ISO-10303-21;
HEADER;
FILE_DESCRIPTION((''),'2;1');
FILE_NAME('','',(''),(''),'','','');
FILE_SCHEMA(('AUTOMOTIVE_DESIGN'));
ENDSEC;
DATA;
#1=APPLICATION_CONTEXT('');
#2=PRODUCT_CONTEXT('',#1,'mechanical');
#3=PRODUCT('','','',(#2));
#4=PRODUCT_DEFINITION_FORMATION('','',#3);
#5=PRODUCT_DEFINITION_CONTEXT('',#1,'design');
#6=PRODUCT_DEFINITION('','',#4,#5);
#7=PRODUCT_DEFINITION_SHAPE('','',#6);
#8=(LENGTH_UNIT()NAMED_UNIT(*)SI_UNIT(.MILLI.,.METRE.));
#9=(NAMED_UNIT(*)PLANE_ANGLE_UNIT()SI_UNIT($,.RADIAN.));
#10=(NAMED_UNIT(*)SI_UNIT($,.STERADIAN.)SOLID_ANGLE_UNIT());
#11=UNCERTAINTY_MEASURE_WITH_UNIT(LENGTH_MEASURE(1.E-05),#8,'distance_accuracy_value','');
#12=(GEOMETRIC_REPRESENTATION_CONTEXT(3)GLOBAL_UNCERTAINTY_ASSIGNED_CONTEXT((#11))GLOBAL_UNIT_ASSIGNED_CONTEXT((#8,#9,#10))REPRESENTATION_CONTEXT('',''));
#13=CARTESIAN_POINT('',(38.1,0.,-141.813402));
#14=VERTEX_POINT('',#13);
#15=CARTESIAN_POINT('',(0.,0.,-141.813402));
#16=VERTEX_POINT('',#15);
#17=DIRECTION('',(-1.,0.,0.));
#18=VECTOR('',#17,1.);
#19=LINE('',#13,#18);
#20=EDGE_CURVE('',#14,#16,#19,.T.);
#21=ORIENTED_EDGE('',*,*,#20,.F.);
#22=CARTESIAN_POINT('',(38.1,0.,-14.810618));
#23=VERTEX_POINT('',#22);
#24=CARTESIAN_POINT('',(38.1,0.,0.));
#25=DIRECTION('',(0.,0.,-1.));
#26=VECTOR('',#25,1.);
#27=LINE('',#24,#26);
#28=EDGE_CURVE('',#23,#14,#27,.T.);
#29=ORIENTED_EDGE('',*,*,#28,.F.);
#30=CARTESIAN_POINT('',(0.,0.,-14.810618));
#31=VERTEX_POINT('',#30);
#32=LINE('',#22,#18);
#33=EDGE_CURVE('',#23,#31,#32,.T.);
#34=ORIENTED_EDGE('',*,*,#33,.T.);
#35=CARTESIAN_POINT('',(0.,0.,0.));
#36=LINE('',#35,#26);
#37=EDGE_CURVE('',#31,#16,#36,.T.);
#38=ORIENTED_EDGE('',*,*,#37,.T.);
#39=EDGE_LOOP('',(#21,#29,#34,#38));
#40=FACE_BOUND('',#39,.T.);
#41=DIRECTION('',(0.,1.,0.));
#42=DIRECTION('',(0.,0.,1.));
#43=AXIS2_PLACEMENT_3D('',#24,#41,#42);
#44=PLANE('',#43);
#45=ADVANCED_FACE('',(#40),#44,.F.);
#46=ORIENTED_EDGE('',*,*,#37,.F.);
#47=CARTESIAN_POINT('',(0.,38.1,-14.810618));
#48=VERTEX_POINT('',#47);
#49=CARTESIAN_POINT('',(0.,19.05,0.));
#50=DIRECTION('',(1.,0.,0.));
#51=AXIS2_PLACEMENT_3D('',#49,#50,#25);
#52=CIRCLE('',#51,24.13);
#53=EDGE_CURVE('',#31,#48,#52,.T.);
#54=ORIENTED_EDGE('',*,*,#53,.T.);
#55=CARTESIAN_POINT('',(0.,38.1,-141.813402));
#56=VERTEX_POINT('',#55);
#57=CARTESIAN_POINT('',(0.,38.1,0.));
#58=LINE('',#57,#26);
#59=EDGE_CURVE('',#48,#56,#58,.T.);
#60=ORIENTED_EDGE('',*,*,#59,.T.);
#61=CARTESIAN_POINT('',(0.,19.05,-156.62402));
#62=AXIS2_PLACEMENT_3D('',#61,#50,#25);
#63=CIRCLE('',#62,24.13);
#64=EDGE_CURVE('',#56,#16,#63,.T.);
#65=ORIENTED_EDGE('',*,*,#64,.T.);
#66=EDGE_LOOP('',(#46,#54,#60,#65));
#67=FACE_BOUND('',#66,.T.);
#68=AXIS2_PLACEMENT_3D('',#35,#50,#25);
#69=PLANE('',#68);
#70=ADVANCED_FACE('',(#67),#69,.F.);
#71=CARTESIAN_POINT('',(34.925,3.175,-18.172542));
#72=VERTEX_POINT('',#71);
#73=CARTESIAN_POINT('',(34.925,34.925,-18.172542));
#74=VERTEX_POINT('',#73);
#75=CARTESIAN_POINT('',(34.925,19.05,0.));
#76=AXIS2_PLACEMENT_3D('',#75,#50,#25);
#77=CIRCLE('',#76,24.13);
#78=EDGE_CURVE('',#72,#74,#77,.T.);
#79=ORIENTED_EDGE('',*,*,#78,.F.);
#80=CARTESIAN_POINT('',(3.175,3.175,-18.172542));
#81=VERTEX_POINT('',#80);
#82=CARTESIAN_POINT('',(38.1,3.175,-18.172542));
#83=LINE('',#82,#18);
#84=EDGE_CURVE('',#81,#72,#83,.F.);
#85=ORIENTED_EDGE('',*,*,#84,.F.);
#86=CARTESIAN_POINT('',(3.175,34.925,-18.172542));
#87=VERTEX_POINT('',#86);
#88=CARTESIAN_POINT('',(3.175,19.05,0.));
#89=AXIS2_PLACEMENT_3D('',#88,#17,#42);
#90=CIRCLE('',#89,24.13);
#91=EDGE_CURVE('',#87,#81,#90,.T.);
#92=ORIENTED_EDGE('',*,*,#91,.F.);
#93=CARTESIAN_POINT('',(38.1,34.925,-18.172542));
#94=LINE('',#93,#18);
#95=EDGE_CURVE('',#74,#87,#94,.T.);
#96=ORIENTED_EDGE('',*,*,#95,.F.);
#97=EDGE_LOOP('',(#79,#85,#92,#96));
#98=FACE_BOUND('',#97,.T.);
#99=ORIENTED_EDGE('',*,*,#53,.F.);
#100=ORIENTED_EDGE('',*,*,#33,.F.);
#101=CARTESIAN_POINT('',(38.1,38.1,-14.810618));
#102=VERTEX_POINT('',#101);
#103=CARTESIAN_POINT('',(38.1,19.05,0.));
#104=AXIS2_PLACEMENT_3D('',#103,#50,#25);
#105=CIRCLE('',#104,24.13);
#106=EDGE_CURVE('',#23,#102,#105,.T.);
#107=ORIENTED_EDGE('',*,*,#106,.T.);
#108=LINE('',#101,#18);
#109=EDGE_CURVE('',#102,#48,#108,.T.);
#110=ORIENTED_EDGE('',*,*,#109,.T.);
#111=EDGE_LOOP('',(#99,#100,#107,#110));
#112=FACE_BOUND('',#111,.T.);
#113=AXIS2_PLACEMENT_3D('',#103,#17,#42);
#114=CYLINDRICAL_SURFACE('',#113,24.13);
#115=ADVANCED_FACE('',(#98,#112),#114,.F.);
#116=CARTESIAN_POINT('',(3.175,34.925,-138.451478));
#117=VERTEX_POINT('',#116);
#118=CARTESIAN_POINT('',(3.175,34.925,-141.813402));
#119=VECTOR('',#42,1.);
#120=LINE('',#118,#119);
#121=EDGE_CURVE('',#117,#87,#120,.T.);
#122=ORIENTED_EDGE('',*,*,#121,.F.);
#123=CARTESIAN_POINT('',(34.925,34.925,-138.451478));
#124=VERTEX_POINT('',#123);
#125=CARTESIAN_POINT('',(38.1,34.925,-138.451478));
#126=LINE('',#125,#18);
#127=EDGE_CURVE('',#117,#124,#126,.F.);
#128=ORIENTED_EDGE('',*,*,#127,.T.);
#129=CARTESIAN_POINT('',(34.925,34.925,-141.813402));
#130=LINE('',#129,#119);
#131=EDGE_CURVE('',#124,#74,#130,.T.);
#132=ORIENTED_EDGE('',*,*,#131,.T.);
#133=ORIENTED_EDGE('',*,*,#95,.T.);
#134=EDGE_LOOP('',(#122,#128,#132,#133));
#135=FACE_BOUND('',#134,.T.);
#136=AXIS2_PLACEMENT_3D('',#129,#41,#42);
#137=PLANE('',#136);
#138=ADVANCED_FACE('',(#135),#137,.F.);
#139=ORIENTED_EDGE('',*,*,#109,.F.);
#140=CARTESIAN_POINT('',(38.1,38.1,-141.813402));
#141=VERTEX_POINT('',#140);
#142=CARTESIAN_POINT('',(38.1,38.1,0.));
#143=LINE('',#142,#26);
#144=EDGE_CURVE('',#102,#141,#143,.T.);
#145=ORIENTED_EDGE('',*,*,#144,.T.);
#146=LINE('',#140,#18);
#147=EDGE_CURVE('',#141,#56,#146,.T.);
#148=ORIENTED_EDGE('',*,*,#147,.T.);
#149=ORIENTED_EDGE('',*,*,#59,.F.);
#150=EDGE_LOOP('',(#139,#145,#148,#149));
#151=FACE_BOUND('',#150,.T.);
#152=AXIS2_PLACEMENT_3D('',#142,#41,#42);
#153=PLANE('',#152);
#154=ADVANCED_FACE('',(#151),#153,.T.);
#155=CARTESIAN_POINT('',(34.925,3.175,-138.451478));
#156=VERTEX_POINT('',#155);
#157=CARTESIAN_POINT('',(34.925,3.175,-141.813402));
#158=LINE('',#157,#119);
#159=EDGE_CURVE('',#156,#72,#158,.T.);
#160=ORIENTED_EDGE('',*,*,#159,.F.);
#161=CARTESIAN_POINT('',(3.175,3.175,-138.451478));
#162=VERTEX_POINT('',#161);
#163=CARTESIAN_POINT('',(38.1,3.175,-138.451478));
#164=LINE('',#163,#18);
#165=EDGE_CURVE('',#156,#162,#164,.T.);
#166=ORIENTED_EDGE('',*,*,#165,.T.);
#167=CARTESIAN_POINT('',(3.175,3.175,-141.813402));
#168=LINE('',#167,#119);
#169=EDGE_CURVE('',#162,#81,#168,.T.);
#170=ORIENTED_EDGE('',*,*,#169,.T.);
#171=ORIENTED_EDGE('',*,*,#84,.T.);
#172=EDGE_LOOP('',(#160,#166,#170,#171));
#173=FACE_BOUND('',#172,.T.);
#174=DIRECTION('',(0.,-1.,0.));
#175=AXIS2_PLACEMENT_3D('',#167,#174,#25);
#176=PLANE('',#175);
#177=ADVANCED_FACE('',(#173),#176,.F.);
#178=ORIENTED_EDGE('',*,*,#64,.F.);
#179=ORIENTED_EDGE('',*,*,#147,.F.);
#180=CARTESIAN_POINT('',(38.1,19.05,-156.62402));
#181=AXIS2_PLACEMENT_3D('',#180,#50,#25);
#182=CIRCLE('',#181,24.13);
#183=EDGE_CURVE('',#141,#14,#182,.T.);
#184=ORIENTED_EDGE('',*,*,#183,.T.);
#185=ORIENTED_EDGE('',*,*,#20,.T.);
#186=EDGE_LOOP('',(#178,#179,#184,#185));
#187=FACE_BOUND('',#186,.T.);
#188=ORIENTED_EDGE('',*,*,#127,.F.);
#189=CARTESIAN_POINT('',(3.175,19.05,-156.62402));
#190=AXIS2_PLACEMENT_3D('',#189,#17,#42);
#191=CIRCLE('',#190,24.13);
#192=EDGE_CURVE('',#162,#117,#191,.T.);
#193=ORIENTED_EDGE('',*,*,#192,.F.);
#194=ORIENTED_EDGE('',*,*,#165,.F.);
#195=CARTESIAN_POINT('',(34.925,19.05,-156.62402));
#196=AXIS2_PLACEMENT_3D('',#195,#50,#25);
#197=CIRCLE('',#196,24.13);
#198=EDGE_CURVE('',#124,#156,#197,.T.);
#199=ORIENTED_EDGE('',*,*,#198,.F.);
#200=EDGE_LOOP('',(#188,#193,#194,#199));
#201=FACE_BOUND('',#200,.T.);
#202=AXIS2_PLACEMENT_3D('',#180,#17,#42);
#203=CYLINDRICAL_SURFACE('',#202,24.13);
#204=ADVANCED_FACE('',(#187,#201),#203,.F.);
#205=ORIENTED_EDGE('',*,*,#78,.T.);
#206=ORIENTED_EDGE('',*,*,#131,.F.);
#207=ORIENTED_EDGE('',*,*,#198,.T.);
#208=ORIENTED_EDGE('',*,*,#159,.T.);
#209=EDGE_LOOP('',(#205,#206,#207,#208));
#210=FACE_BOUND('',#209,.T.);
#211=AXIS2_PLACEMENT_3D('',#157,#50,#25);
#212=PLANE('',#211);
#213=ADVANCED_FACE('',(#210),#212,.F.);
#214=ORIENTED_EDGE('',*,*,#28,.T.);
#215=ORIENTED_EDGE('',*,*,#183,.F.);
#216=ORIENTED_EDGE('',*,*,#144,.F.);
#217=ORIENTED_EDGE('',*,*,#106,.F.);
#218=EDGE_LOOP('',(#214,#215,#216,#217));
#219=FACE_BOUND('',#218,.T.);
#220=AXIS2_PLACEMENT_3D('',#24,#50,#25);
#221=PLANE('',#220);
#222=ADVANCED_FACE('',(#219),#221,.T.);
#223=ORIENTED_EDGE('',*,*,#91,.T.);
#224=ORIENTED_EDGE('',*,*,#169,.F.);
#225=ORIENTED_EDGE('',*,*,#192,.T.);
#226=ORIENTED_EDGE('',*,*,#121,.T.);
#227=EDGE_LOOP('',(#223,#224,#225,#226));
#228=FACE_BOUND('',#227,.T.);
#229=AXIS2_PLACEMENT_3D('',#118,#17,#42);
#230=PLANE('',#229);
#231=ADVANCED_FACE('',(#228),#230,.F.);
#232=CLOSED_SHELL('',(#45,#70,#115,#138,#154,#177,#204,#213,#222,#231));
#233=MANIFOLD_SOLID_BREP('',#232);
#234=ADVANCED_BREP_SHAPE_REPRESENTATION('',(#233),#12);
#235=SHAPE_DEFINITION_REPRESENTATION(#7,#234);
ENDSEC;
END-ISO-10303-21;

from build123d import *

# Parameters (mm, degrees)
BOSS_EXTRUDE1_DEPTH = 38.1
SKETCH2_W           = 31.75
SKETCH2_H           = 31.75
CUT_EXTRUDE1_DEPTH  = 152.704518851


with BuildPart() as part:
    # Sketch1 → Boss-Extrude1 (new body)
    with BuildSketch(Plane(origin=(0, 0, 0), x_dir=(0, 0, -1), z_dir=(1, 0, 0))):
        with BuildLine():
            ThreePointArc((24.13, 19.05), (21.675298243, 8.446305074), (14.810617813, 0))
            Line((14.810617813, 0), (141.813402187, 0))
            ThreePointArc((141.813402187, 0), (132.49402, 19.05), (141.813402187, 38.1))
            Line((141.813402187, 38.1), (14.810617813, 38.1))
            ThreePointArc((14.810617813, 38.1), (21.675298243, 29.653694926), (24.13, 19.05))
        make_face()
    extrude(amount=BOSS_EXTRUDE1_DEPTH)

    # Sketch2 → Cut-Extrude1 (cut, through all)
    with BuildSketch(Plane.XY):
        with Locations((19.05, 19.05)):
            Rectangle(SKETCH2_W, SKETCH2_H)
    extrude(amount=-CUT_EXTRUDE1_DEPTH, mode=Mode.SUBTRACT)


solid = part.part
